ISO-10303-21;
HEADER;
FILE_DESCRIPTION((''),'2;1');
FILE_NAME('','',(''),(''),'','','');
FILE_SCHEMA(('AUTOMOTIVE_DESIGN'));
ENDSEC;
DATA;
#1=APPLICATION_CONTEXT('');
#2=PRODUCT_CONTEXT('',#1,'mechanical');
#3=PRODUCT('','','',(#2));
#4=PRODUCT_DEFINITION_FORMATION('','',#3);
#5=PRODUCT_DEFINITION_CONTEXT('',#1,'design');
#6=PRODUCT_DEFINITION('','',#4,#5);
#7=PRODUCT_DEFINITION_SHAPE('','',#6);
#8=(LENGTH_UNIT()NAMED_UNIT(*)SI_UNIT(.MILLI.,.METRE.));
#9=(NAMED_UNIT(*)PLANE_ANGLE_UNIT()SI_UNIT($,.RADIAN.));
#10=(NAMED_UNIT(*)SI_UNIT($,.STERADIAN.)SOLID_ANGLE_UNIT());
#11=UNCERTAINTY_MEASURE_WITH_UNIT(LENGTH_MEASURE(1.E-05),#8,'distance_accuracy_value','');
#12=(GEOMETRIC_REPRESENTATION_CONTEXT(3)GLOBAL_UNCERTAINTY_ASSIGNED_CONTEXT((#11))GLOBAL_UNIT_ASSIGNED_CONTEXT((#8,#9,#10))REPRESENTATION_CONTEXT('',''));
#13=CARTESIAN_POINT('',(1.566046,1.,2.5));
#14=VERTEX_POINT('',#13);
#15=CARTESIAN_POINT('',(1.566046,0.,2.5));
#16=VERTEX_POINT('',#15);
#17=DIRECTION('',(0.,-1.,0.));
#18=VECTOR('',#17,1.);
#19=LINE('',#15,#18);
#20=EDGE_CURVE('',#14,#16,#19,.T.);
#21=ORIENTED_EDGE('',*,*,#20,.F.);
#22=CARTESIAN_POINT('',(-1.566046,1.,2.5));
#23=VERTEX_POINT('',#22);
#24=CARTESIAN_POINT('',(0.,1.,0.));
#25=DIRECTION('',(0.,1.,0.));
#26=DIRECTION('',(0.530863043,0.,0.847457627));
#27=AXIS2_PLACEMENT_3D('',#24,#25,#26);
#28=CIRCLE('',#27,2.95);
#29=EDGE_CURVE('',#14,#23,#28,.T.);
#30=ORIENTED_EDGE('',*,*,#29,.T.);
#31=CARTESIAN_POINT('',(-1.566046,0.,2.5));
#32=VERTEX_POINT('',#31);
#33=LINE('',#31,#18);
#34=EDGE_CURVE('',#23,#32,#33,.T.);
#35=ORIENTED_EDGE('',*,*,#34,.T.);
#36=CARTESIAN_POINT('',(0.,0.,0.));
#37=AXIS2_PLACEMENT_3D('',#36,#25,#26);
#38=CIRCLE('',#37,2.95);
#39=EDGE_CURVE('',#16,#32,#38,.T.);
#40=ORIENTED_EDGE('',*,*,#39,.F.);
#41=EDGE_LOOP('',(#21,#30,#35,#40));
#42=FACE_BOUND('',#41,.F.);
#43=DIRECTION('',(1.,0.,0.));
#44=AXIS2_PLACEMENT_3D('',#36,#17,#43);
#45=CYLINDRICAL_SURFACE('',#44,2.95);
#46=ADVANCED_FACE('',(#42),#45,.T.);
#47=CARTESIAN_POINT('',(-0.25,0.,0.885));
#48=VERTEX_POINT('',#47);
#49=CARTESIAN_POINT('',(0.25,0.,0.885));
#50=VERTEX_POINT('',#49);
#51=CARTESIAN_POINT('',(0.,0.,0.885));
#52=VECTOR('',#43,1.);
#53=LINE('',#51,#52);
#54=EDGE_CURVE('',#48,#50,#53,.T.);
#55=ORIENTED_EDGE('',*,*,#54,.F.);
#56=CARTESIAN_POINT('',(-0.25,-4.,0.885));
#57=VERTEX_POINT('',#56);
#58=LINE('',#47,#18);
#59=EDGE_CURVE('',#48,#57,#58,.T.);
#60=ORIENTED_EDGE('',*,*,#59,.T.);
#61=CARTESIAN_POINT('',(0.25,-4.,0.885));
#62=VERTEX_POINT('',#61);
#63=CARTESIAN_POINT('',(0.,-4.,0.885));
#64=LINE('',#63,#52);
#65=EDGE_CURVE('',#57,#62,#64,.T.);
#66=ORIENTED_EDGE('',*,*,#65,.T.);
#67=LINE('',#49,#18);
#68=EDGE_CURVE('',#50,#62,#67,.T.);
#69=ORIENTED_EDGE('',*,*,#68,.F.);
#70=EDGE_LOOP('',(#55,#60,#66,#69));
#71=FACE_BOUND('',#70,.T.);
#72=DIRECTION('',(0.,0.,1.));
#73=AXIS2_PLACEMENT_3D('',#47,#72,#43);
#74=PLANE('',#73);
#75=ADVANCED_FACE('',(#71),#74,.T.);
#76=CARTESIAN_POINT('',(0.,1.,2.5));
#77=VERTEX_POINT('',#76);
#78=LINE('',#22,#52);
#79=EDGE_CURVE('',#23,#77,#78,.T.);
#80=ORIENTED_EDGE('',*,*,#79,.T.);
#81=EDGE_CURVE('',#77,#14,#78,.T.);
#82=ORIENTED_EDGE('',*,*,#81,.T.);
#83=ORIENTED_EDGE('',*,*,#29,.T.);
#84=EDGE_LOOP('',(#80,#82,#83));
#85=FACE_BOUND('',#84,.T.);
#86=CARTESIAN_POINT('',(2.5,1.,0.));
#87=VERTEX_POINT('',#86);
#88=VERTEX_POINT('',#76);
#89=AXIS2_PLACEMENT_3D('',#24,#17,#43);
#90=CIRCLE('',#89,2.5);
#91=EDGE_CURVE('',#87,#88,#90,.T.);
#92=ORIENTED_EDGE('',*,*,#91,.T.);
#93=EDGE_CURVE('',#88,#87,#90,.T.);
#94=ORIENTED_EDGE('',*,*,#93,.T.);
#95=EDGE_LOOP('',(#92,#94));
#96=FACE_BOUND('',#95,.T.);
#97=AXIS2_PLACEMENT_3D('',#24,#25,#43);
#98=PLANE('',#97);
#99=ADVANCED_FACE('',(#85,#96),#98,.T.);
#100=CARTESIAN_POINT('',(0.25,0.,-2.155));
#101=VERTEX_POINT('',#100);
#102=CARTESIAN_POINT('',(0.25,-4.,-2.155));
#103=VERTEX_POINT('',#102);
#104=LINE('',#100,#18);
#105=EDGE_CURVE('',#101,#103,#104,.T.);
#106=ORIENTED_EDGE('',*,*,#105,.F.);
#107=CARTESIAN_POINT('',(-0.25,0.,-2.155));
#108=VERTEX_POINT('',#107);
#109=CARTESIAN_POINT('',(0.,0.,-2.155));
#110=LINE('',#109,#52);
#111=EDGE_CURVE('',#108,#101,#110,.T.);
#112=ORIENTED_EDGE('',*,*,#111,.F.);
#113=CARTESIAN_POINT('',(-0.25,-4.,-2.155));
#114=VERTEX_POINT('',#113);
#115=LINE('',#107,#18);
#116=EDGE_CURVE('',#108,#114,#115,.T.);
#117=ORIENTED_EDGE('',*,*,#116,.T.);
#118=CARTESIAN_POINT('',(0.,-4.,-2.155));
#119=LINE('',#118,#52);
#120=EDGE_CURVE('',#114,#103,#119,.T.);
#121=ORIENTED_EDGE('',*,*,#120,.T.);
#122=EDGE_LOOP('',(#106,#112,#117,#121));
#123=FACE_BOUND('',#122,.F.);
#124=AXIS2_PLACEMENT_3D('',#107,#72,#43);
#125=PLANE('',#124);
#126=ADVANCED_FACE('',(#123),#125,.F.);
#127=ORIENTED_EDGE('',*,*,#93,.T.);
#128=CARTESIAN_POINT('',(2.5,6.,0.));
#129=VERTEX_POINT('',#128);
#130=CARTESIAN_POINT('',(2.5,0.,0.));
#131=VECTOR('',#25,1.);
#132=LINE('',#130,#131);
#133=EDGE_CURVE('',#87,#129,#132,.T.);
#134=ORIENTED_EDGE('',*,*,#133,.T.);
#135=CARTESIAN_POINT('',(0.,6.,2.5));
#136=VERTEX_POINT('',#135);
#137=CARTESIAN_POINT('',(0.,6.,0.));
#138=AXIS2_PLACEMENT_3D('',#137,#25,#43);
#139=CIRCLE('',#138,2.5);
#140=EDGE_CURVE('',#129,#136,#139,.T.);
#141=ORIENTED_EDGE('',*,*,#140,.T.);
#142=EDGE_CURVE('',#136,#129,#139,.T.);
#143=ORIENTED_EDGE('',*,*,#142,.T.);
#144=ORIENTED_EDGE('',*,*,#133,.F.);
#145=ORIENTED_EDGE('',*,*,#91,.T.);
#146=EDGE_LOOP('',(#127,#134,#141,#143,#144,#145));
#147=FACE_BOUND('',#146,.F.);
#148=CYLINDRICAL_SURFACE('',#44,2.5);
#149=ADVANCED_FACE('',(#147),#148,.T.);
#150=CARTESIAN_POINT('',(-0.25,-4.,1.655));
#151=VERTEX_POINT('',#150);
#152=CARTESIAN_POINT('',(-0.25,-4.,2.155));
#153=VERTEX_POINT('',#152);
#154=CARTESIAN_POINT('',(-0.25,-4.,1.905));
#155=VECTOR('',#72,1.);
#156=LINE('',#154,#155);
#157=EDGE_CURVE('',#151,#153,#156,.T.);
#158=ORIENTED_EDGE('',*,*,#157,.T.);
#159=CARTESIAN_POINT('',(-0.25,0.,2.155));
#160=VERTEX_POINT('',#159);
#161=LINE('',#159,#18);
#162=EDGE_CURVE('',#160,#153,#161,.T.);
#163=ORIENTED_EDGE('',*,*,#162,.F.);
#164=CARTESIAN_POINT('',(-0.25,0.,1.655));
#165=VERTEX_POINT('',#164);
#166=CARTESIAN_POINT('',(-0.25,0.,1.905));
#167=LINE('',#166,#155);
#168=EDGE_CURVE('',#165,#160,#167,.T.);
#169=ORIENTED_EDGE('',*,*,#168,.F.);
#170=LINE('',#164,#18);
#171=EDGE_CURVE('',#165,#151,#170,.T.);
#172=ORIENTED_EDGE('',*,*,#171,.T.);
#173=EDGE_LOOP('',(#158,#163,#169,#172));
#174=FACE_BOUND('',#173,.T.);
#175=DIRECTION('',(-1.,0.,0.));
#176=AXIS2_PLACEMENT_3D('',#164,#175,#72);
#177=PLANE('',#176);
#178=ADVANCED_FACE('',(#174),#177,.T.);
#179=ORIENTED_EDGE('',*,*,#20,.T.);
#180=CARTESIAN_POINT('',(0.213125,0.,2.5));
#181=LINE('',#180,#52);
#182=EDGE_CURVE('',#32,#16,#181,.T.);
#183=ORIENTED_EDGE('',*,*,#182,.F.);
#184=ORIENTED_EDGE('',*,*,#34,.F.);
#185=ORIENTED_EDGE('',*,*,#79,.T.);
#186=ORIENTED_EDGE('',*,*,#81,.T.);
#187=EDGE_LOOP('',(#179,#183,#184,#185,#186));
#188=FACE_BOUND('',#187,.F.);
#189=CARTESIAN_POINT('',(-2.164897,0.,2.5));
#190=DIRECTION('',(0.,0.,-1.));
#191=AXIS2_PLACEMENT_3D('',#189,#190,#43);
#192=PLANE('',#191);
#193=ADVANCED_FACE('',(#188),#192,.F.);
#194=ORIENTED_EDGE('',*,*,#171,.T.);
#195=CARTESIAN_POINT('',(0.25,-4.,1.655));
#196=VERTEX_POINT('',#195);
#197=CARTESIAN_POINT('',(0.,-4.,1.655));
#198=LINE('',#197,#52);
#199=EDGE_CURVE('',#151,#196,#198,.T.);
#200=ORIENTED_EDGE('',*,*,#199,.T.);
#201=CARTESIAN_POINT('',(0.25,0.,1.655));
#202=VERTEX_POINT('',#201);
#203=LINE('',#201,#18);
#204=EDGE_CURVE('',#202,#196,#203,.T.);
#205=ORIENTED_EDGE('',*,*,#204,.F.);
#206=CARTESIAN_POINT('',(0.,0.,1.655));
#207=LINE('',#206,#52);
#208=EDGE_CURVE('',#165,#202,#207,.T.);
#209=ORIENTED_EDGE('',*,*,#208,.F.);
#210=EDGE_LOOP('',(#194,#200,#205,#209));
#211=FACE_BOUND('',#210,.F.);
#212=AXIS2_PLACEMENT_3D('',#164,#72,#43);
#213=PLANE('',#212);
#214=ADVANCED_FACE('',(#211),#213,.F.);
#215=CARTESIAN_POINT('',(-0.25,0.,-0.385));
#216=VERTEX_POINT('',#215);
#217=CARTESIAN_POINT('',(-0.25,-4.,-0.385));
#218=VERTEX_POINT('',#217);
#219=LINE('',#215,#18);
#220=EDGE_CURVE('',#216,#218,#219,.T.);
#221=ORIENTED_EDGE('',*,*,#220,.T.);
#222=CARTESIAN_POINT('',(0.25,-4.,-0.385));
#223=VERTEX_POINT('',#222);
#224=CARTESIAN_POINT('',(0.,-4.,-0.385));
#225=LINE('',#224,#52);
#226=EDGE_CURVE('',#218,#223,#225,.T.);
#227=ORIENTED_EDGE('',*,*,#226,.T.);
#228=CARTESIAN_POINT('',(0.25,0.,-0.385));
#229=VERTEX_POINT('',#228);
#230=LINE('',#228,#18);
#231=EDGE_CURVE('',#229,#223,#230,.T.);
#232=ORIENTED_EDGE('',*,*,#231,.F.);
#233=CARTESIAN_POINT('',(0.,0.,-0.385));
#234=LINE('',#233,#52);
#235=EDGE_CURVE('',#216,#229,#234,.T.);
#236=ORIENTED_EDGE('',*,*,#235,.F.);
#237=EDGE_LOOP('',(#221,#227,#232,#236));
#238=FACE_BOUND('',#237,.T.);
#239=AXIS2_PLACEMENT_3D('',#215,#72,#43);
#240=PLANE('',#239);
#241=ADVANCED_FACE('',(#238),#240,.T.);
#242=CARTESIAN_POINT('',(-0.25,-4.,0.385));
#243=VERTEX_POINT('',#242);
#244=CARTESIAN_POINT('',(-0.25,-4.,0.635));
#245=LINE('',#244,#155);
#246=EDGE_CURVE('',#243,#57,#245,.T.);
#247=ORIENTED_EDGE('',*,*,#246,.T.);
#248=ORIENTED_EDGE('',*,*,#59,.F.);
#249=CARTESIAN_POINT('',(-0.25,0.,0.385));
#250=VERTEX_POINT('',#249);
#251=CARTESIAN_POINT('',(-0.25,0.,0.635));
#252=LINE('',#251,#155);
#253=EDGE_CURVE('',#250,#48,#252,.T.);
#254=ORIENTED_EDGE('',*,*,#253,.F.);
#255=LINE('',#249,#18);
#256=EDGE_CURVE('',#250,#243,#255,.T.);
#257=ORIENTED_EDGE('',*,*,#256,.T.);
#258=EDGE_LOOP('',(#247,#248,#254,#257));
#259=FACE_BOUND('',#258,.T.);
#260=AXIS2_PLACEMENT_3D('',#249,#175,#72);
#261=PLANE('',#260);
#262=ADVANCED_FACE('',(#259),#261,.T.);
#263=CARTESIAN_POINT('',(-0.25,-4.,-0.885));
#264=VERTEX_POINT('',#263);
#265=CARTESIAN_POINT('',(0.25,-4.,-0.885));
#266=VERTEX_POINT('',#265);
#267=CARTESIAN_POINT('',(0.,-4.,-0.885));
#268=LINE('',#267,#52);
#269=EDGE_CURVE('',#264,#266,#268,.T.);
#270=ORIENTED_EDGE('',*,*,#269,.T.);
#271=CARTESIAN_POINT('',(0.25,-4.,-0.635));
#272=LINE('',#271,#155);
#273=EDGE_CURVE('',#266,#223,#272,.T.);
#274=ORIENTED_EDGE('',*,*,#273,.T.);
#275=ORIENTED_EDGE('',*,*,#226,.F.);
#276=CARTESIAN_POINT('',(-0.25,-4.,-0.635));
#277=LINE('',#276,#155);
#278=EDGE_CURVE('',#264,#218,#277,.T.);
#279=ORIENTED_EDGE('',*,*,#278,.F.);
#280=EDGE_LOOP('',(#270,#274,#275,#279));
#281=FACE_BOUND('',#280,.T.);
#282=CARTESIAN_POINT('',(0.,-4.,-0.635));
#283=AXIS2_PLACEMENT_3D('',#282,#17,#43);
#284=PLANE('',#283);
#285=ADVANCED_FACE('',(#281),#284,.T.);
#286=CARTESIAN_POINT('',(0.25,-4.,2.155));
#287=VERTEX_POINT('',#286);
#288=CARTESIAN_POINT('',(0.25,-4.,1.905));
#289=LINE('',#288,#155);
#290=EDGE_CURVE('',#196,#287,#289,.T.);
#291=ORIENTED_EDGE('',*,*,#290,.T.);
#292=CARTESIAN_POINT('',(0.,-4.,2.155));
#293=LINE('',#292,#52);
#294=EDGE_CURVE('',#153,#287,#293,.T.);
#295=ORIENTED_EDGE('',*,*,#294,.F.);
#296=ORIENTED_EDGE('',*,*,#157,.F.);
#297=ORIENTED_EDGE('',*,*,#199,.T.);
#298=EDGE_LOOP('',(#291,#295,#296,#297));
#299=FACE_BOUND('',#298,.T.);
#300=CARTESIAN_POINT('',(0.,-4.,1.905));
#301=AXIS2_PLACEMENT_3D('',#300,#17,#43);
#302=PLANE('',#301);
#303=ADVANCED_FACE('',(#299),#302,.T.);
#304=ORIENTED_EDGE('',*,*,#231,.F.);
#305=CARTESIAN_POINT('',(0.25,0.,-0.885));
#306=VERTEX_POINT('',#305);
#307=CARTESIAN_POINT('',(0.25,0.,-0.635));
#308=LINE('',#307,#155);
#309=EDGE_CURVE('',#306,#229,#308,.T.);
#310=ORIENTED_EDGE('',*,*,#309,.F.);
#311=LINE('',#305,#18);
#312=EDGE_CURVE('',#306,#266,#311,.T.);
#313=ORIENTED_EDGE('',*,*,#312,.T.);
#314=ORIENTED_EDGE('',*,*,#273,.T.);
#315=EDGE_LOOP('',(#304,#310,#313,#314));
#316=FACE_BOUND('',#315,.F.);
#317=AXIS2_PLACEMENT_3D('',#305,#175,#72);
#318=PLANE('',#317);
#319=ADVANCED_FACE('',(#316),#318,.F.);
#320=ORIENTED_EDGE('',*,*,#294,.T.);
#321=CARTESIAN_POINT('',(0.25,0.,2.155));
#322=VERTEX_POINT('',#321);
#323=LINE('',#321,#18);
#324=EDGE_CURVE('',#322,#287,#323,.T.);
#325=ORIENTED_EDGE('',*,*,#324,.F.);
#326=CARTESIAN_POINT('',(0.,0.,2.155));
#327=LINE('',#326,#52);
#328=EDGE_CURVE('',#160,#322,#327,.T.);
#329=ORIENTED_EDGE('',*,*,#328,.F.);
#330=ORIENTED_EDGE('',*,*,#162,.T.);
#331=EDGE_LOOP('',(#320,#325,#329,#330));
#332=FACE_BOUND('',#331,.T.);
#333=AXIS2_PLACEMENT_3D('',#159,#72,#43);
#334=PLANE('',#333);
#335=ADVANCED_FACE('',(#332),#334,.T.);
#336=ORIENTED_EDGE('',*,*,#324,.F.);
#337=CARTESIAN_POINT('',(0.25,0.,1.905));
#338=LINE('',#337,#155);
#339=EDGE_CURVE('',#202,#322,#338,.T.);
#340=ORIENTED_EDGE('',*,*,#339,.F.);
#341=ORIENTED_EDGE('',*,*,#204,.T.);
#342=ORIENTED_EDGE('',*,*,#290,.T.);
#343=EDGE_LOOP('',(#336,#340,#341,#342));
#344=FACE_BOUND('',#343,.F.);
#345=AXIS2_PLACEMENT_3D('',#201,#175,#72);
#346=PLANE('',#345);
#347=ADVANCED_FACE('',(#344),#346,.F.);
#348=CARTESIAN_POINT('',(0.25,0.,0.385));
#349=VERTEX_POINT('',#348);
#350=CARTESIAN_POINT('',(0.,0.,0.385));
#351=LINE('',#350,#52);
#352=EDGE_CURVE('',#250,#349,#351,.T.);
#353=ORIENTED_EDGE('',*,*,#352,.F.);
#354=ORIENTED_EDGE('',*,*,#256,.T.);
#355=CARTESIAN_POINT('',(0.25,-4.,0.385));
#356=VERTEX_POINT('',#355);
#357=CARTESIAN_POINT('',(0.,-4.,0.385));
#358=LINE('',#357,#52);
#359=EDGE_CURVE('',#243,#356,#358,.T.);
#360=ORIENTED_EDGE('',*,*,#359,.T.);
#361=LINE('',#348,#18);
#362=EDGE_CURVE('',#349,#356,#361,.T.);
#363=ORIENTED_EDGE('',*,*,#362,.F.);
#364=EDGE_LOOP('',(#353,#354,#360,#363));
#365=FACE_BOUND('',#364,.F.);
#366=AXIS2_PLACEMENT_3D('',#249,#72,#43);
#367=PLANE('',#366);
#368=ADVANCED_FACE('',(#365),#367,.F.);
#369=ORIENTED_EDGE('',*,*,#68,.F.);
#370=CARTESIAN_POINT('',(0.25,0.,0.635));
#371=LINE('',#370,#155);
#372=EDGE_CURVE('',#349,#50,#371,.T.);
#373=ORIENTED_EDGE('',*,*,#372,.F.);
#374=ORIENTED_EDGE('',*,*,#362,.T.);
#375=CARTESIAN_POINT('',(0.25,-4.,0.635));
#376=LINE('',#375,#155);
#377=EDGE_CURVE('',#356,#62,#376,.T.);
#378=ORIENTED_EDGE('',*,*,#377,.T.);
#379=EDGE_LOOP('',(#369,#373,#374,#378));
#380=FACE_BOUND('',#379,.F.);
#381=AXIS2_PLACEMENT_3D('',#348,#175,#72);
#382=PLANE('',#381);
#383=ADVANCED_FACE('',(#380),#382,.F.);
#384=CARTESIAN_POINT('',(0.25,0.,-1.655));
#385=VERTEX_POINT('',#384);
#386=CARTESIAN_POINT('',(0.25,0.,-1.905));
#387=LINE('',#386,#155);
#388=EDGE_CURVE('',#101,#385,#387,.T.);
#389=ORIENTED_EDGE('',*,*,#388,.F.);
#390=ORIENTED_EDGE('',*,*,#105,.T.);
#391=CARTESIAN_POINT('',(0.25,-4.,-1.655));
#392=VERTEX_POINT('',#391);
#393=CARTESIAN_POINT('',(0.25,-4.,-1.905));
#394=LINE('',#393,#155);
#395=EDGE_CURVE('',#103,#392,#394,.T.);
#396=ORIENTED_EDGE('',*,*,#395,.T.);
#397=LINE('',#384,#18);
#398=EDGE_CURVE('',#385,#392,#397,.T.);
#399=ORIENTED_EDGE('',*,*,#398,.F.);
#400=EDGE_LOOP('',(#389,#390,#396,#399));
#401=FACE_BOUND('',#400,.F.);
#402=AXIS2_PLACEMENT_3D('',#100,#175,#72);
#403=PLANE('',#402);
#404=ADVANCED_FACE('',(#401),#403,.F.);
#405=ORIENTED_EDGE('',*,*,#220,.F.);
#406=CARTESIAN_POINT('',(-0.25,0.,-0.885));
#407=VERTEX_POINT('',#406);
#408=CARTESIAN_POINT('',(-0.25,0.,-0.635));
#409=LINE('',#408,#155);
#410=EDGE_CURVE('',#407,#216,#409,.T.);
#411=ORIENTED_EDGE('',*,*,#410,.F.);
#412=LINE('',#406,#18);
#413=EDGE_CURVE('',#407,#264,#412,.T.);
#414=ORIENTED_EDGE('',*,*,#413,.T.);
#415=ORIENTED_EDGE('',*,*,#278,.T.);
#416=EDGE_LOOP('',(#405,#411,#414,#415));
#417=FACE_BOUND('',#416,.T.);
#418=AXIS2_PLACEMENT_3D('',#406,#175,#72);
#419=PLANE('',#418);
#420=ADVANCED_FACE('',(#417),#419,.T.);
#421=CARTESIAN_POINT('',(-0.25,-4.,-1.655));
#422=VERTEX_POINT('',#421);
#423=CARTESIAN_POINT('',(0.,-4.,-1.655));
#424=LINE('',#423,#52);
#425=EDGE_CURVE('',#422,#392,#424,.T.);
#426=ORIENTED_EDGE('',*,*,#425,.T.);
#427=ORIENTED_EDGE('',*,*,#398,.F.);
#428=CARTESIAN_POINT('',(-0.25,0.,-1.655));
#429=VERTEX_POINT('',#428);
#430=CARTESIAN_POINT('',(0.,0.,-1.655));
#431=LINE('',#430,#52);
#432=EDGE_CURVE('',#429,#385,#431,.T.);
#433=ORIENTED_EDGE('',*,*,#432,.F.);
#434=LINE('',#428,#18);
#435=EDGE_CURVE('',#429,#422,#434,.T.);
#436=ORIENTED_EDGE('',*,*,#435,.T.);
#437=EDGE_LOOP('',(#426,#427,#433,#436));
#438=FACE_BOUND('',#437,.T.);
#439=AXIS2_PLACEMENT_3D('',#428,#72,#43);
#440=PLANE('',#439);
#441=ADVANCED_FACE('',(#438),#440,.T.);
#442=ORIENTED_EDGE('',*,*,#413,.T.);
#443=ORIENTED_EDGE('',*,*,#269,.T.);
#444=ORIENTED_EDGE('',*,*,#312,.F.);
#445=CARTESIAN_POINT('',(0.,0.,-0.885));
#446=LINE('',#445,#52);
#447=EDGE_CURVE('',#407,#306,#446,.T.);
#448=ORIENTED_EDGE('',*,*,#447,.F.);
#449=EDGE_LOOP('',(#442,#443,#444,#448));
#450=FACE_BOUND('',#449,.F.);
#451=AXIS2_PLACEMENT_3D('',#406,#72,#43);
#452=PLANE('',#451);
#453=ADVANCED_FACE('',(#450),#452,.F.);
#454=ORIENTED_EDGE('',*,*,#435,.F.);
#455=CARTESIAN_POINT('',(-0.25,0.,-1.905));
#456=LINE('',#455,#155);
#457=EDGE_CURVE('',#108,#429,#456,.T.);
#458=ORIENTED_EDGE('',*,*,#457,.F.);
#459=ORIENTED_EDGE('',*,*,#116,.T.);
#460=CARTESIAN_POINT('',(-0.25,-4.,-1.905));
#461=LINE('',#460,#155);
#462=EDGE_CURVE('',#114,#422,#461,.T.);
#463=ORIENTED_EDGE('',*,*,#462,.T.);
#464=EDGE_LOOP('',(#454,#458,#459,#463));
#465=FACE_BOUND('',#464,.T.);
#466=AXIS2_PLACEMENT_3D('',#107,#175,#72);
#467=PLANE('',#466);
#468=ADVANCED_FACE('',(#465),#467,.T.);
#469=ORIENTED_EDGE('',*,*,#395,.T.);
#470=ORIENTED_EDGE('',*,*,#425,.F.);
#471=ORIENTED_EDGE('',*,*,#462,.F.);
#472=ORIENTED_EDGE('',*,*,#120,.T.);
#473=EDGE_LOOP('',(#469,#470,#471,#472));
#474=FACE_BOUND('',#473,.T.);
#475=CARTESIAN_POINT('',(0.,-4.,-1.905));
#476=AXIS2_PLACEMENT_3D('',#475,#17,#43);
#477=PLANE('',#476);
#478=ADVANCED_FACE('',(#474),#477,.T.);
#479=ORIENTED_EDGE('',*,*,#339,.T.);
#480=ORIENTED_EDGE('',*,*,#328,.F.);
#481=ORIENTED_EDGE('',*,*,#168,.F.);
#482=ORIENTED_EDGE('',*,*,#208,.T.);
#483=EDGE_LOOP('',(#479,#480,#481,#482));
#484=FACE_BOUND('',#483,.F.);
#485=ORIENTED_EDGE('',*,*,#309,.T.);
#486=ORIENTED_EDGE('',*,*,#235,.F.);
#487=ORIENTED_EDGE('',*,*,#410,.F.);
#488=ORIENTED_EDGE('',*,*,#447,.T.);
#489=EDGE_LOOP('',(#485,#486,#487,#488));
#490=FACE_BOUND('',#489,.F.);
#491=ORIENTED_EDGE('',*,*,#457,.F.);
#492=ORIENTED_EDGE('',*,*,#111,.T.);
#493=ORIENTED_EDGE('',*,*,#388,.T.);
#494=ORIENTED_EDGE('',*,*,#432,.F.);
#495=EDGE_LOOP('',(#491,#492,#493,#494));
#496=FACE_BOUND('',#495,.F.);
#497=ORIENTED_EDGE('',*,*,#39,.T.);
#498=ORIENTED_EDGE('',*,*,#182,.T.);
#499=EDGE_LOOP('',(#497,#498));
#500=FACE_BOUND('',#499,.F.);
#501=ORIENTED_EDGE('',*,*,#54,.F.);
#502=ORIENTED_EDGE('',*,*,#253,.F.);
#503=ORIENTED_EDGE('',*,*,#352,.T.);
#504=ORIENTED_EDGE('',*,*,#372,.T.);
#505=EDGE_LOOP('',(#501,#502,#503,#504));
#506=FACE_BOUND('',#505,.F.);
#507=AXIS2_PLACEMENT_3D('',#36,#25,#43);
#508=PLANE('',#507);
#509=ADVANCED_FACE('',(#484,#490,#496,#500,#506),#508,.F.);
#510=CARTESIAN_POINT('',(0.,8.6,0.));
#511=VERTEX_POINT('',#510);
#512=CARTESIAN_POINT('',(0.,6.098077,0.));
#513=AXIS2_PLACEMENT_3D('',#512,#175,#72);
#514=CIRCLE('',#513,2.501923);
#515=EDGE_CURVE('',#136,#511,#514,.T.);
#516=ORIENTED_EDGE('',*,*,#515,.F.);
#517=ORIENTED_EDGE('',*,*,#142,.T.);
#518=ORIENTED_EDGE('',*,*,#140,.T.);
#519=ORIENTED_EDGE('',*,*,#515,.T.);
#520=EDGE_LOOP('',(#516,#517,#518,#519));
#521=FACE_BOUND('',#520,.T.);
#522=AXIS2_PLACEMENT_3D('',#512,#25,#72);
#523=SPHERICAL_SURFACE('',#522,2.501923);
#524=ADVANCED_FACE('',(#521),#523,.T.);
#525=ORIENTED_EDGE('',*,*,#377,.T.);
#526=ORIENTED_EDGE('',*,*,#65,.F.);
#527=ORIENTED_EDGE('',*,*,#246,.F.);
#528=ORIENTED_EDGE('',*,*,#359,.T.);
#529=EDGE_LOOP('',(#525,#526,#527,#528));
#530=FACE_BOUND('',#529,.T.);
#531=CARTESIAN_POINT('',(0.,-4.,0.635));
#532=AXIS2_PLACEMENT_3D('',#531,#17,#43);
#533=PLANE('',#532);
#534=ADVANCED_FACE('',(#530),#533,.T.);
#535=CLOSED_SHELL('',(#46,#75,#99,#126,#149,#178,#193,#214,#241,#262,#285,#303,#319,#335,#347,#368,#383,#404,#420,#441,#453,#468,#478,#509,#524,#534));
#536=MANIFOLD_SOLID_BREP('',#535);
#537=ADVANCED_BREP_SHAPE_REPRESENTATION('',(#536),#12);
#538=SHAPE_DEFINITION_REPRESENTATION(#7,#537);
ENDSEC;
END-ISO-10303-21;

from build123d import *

# Parameters (mm, degrees)
SKETCH1_R           = 2.5
BOSS_EXTRUDE1_DEPTH = 6
SKETCH2_R           = 2.95
BOSS_EXTRUDE2_DEPTH = 1
DOME1_FACE_RADIUS   = 2.5
DOME1_HEIGHT        = 2.6
CUT_EXTRUDE1_REACH  = 10.6
SKETCH3_W           = 4.756042082
SKETCH3_H           = 0.515985698
SKETCH4_W           = 0.5
SKETCH4_H           = 0.5
BOSS_EXTRUDE3_DEPTH = 4


with BuildPart() as part:
    # Sketch1 → Boss-Extrude1 (new body)
    with BuildSketch(Plane(origin=(0, 0, 0), x_dir=(1, 0, 0), z_dir=(0, 1, 0))):
        Circle(SKETCH1_R)
    extrude(amount=BOSS_EXTRUDE1_DEPTH)

    # Sketch2 → Boss-Extrude2 (add)
    with BuildSketch(Plane(origin=(0, 0, 0), x_dir=(1, 0, 0), z_dir=(0, 1, 0))):
        Circle(SKETCH2_R)
    extrude(amount=BOSS_EXTRUDE2_DEPTH)

    # Dome1: a dome of height H over a round flat face of radius A is a cap of a sphere of radius (A * A + H * H) / (2 * H)
    dome1_r = (DOME1_FACE_RADIUS * DOME1_FACE_RADIUS + DOME1_HEIGHT * DOME1_HEIGHT) / (2 * DOME1_HEIGHT)
    dome1_base = Plane((0, 6, 0), z_dir=(0, 1, 0))
    with Locations(dome1_base.offset(DOME1_HEIGHT - dome1_r)):
        dome1_ball = Sphere(dome1_r, mode=Mode.PRIVATE)
    add(split(dome1_ball, bisect_by=dome1_base, keep=Keep.TOP, mode=Mode.PRIVATE))

    # Sketch3 → Cut-Extrude1 (cut, up to next)
    with BuildSketch(Plane.XZ, mode=Mode.PRIVATE) as cut_extrude1_sk1:
        with Locations((0.213124527, 2.757992849)):
            Rectangle(SKETCH3_W, SKETCH3_H)
    cut_extrude1_tool1 = extrude(cut_extrude1_sk1.sketch, amount=-CUT_EXTRUDE1_REACH, mode=Mode.PRIVATE) & part.part
    add(cut_extrude1_tool1.solids().sort_by_distance((0.213125, 0, 2.757993))[0], mode=Mode.SUBTRACT)

    # Sketch4 → Boss-Extrude3 (add)
    with BuildSketch(Plane.XZ):
        with Locations((0, 1.905)):
            Rectangle(SKETCH4_W, SKETCH4_H)
        with Locations((0, 0.635)):
            Rectangle(SKETCH4_W, SKETCH4_H)
        with Locations((0, -0.635)):
            Rectangle(SKETCH4_W, SKETCH4_H)
        with Locations((0, -1.905)):
            Rectangle(SKETCH4_W, SKETCH4_H)
    extrude(amount=BOSS_EXTRUDE3_DEPTH)


solid = part.part
